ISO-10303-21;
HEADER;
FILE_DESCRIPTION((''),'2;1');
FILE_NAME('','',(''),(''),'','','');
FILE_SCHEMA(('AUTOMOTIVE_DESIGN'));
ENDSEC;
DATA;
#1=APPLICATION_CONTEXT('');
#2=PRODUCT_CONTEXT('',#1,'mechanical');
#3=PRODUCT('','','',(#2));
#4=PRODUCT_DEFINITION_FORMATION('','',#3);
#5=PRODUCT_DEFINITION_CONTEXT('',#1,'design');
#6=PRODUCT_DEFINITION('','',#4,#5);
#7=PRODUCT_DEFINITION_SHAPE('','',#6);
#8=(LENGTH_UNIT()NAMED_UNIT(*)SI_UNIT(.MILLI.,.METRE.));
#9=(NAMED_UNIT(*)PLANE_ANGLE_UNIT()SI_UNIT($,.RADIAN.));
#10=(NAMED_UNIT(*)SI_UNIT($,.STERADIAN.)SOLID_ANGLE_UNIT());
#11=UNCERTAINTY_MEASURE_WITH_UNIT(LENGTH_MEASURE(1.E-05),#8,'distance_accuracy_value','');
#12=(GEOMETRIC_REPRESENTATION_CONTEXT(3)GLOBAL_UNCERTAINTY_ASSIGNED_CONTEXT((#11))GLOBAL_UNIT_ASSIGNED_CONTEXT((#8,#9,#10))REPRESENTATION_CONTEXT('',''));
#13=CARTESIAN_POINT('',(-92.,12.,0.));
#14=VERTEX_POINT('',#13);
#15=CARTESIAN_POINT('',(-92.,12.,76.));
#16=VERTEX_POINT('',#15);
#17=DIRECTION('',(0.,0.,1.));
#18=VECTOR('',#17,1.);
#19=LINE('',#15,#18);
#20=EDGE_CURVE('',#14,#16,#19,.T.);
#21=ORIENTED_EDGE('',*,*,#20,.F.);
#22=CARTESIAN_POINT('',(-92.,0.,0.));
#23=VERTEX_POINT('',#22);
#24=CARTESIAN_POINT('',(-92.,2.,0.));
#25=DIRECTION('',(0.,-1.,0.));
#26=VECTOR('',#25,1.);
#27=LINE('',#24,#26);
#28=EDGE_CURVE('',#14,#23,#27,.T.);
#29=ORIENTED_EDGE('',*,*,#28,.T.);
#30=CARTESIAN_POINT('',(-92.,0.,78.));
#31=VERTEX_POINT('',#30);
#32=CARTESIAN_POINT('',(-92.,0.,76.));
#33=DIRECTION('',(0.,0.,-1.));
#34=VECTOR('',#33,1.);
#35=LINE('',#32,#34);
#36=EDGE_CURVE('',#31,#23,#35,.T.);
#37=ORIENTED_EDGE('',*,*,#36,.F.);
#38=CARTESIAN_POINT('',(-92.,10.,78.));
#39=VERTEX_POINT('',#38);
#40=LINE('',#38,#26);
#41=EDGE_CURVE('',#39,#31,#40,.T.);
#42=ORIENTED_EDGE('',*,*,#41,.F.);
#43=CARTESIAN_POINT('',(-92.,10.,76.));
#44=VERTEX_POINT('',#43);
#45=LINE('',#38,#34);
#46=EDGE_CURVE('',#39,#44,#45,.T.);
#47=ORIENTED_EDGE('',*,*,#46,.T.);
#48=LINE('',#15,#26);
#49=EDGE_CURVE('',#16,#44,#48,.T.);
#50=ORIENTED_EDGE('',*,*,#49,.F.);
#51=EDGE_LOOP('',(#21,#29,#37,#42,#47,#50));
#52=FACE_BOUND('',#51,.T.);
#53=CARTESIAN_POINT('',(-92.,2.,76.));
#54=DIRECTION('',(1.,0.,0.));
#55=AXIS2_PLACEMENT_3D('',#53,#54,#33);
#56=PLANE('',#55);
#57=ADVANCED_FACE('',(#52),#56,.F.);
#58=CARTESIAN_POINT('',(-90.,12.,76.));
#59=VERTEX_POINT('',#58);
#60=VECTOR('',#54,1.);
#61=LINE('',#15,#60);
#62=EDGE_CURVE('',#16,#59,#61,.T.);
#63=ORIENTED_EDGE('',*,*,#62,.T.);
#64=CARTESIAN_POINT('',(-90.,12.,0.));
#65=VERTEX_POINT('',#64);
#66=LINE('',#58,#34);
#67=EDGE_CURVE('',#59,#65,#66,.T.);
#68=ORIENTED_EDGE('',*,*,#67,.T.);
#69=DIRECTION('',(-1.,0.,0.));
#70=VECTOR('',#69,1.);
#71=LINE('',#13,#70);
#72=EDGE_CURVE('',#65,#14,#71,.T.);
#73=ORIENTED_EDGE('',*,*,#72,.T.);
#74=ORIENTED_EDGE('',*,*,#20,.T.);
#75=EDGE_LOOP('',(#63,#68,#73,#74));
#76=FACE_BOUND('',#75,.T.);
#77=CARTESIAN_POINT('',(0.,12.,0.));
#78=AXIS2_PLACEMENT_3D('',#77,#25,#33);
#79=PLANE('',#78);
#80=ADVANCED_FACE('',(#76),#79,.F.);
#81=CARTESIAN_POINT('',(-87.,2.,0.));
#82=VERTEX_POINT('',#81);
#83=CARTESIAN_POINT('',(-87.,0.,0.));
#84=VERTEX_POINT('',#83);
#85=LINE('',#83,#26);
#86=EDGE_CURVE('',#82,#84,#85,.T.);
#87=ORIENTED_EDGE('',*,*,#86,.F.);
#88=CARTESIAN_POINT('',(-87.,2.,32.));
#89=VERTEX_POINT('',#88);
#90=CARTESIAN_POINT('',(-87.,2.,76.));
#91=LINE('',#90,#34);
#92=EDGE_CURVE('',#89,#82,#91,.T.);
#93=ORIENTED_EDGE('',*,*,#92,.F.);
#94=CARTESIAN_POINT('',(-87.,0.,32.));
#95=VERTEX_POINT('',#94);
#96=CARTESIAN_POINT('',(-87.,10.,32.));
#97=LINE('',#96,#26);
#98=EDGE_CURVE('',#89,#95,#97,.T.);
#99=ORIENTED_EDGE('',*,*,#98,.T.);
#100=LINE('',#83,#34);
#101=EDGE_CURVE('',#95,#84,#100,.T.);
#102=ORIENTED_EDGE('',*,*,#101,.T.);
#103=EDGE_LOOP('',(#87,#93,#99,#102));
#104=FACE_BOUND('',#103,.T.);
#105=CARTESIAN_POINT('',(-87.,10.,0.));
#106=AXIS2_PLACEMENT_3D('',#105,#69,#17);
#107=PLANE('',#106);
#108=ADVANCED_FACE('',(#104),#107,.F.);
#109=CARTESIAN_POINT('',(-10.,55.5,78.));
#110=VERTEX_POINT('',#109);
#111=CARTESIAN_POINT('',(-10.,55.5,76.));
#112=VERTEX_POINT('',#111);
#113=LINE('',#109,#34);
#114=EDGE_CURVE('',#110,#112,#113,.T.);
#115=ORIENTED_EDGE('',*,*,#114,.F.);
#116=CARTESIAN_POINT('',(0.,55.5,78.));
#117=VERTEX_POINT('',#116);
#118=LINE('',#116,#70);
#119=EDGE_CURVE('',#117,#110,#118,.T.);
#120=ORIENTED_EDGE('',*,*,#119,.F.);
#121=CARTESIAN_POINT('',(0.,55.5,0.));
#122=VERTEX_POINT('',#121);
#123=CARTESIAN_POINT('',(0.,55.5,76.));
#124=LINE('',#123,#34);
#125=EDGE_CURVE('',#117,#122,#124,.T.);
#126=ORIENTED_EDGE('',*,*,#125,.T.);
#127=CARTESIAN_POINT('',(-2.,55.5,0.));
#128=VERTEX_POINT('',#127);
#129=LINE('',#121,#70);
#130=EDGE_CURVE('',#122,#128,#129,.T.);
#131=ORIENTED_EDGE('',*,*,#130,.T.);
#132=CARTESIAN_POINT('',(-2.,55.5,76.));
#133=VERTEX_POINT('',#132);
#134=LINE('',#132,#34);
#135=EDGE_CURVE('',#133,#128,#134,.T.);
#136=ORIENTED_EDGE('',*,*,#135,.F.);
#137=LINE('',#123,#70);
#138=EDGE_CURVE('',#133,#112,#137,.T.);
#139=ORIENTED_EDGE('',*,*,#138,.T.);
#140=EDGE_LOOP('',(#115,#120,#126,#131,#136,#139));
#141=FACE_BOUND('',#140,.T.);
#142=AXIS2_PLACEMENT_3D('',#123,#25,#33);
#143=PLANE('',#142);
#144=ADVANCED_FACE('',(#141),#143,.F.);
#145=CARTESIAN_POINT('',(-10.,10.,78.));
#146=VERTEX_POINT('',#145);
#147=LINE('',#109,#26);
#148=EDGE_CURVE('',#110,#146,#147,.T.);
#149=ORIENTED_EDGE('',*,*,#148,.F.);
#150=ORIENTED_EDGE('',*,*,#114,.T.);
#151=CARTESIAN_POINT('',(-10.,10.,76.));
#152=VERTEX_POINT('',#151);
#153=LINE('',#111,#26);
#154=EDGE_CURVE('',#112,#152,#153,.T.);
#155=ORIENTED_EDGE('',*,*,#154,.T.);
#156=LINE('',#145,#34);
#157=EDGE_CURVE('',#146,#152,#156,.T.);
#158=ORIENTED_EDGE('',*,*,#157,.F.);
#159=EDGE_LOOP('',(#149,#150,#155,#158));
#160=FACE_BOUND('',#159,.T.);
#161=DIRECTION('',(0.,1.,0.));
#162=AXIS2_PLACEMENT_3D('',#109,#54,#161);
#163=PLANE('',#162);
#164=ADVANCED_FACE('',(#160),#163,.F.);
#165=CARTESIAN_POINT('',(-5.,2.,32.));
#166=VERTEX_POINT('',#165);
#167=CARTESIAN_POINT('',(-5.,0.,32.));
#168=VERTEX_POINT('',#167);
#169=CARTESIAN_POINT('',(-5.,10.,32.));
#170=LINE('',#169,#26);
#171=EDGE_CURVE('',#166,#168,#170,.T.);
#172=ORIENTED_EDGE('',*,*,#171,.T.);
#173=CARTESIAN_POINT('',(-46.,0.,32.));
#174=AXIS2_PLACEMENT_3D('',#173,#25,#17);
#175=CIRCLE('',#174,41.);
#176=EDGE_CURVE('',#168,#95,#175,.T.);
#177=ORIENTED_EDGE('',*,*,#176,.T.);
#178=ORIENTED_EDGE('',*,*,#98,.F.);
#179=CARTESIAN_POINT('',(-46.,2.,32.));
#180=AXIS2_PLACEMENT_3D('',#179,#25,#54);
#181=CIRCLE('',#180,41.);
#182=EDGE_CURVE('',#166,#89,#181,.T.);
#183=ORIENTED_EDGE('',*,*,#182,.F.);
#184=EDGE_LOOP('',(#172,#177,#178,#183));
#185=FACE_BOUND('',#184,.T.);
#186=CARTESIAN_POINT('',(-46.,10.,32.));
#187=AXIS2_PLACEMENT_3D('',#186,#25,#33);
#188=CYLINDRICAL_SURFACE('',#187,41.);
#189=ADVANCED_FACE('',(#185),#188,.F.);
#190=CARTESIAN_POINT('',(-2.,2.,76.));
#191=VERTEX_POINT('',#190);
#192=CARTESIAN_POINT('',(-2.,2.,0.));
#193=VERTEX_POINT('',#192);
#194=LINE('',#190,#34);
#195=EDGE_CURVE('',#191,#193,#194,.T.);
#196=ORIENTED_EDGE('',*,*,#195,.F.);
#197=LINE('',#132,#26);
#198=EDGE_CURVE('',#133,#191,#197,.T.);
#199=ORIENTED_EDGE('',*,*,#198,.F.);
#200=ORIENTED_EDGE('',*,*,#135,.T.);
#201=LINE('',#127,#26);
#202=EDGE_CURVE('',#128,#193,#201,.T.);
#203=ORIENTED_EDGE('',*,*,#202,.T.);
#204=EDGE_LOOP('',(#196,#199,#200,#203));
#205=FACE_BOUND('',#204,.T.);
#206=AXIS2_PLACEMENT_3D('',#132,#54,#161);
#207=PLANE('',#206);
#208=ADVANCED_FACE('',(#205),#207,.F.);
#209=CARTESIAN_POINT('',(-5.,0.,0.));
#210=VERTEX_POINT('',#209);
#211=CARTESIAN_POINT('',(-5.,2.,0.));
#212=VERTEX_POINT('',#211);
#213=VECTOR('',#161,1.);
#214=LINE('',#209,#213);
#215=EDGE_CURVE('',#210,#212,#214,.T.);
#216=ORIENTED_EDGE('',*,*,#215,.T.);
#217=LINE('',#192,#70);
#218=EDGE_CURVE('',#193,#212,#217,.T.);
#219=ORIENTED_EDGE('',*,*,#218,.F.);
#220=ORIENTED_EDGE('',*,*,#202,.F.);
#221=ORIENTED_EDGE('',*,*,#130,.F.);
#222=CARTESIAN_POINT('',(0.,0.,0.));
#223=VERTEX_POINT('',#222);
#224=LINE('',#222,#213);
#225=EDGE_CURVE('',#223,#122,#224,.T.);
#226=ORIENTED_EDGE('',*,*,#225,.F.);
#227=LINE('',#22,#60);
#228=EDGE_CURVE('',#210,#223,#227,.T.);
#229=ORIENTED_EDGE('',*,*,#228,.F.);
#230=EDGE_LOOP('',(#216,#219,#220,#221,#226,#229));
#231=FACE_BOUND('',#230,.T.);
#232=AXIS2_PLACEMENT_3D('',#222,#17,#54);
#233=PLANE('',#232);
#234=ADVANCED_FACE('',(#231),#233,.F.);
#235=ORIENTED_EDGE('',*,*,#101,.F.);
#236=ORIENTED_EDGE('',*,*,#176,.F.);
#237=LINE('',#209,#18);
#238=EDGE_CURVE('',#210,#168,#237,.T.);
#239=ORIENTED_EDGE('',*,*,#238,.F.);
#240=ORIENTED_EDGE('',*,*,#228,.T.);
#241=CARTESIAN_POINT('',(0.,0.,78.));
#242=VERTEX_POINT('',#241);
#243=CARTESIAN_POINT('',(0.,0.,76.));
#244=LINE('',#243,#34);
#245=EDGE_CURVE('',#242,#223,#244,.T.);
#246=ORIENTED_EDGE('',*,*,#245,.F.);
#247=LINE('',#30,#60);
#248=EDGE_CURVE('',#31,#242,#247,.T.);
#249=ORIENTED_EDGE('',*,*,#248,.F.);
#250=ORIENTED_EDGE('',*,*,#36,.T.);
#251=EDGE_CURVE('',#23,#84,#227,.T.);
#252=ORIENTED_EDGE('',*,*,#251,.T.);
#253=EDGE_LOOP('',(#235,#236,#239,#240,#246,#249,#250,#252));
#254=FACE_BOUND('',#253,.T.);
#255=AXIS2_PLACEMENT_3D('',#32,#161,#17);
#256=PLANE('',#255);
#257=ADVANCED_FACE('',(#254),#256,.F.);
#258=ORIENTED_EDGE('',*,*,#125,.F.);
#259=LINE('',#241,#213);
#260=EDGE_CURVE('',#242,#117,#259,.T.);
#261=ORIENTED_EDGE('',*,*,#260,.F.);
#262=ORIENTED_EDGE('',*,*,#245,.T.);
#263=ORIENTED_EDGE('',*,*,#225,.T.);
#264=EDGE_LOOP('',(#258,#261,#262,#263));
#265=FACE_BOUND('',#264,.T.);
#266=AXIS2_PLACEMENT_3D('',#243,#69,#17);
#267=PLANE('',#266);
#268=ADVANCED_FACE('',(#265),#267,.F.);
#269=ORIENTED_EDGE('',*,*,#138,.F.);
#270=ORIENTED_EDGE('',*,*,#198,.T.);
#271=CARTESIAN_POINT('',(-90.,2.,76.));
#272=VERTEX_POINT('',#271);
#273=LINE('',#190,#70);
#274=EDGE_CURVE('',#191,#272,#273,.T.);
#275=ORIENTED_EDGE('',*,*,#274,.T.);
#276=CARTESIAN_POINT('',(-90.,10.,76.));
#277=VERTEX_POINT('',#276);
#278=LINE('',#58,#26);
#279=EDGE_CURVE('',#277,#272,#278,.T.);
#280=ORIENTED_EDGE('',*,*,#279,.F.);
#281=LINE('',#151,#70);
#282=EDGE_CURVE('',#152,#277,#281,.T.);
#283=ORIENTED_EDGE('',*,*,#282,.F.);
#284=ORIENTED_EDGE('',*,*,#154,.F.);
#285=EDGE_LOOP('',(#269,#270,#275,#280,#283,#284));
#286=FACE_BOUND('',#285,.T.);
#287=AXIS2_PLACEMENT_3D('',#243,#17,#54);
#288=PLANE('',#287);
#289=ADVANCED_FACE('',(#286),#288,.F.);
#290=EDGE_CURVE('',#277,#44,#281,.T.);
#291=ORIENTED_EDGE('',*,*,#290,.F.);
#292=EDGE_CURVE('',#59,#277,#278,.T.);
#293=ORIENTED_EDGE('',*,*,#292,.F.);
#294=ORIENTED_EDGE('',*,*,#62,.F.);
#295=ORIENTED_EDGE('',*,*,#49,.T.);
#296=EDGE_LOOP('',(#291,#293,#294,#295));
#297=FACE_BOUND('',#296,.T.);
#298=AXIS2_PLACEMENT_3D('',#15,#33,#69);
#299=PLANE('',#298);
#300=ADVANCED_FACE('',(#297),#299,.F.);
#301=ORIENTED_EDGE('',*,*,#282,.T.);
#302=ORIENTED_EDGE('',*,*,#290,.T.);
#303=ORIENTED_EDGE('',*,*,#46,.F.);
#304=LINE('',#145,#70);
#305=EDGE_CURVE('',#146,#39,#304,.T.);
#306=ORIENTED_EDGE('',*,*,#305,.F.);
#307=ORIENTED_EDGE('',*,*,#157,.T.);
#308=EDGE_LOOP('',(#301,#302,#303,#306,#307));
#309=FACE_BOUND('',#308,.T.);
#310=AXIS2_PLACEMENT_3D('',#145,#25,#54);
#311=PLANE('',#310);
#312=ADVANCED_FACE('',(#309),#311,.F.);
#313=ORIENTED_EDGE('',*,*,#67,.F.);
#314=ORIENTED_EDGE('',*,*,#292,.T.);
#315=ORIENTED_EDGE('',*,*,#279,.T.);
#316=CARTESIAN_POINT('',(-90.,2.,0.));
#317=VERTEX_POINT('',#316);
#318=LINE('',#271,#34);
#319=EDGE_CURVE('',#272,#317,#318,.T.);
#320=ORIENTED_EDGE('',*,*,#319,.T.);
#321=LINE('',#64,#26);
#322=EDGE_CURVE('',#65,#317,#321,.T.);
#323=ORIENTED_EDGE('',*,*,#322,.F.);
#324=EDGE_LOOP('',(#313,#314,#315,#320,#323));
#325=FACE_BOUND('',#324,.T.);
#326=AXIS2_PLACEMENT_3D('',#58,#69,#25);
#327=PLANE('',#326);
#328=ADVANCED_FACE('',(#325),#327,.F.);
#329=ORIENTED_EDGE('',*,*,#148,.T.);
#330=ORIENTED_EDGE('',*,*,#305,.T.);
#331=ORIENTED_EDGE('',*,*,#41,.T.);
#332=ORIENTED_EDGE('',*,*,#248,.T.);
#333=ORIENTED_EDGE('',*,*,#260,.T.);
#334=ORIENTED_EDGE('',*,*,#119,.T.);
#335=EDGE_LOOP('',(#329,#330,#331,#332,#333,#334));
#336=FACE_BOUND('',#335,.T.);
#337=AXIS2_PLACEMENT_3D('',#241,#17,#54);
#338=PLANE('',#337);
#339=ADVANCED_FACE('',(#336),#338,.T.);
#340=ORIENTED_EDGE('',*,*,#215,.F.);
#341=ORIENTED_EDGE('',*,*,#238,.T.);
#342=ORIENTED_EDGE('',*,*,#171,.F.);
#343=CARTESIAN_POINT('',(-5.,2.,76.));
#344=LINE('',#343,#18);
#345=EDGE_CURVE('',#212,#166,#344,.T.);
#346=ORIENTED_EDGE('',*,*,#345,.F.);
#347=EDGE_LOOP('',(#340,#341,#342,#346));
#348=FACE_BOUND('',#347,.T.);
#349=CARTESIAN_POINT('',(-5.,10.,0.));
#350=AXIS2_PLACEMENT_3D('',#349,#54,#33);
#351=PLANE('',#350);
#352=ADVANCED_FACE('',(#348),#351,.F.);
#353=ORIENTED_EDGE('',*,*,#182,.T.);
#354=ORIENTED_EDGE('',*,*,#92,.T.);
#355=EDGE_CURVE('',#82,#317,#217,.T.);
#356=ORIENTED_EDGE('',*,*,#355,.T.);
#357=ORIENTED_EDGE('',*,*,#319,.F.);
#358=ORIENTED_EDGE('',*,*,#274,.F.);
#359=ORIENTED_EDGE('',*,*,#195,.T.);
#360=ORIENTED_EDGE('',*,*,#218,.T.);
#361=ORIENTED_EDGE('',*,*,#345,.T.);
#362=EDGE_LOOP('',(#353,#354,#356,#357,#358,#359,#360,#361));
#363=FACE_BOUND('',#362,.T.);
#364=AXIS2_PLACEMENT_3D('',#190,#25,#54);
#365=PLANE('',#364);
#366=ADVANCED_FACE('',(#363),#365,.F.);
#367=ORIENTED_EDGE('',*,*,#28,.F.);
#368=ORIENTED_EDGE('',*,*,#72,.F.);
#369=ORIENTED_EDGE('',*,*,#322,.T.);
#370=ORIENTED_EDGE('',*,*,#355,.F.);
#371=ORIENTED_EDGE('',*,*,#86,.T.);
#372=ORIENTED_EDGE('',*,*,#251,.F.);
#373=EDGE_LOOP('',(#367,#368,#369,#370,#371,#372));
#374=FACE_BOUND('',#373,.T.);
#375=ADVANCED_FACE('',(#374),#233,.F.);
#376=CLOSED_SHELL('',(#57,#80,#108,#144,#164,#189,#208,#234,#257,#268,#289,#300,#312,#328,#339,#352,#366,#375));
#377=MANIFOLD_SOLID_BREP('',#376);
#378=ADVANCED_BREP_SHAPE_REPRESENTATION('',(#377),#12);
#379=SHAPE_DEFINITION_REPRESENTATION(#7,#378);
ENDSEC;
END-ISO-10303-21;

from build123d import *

# Parameters (mm, degrees)
EXTRUDE_1_DEPTH     = 76
EXTRUDE_2_DEPTH     = 2
CUT_EXTRUDE_1_DEPTH = 10
SKETCH_5_W          = 2
SKETCH_5_H          = 76
EXTRUDE_3_DEPTH     = 10


with BuildPart() as part:
    # 草图1 → 凸台-拉伸1 (new body)
    with BuildSketch(Plane.XY):
        Polygon((-92, 0), (0, 0), (0, 55.5), (-2, 55.5), (-2, 2), (-92, 2), align=None)
    extrude(amount=EXTRUDE_1_DEPTH)

    # 草图3 → 凸台-拉伸2 (add)
    with BuildSketch(Plane.XY.offset(76)):
        Polygon((0, 55.5), (-10, 55.5), (-10, 10), (-92, 10), (-92, 0), (0, 0), align=None)
    extrude(amount=EXTRUDE_2_DEPTH)

    # 草图4 → 切除-拉伸1 (cut)
    with BuildSketch(Plane.XZ):
        with BuildLine():
            Line((-87, 0), (-87, 32))
            ThreePointArc((-87, 32), (-46, 73), (-5, 32))
            Line((-5, 32), (-5, 0))
            Line((-5, 0), (-87, 0))
        make_face()
    extrude(amount=-CUT_EXTRUDE_1_DEPTH, mode=Mode.SUBTRACT)

    # 草图5 → 凸台-拉伸3 (add)
    with BuildSketch(Plane(origin=(0, 2, 0), x_dir=(1, 0, 0), z_dir=(0, 1, 0))):
        with Locations((-91, -38)):
            Rectangle(SKETCH_5_W, SKETCH_5_H)
    extrude(amount=EXTRUDE_3_DEPTH)


solid = part.part
